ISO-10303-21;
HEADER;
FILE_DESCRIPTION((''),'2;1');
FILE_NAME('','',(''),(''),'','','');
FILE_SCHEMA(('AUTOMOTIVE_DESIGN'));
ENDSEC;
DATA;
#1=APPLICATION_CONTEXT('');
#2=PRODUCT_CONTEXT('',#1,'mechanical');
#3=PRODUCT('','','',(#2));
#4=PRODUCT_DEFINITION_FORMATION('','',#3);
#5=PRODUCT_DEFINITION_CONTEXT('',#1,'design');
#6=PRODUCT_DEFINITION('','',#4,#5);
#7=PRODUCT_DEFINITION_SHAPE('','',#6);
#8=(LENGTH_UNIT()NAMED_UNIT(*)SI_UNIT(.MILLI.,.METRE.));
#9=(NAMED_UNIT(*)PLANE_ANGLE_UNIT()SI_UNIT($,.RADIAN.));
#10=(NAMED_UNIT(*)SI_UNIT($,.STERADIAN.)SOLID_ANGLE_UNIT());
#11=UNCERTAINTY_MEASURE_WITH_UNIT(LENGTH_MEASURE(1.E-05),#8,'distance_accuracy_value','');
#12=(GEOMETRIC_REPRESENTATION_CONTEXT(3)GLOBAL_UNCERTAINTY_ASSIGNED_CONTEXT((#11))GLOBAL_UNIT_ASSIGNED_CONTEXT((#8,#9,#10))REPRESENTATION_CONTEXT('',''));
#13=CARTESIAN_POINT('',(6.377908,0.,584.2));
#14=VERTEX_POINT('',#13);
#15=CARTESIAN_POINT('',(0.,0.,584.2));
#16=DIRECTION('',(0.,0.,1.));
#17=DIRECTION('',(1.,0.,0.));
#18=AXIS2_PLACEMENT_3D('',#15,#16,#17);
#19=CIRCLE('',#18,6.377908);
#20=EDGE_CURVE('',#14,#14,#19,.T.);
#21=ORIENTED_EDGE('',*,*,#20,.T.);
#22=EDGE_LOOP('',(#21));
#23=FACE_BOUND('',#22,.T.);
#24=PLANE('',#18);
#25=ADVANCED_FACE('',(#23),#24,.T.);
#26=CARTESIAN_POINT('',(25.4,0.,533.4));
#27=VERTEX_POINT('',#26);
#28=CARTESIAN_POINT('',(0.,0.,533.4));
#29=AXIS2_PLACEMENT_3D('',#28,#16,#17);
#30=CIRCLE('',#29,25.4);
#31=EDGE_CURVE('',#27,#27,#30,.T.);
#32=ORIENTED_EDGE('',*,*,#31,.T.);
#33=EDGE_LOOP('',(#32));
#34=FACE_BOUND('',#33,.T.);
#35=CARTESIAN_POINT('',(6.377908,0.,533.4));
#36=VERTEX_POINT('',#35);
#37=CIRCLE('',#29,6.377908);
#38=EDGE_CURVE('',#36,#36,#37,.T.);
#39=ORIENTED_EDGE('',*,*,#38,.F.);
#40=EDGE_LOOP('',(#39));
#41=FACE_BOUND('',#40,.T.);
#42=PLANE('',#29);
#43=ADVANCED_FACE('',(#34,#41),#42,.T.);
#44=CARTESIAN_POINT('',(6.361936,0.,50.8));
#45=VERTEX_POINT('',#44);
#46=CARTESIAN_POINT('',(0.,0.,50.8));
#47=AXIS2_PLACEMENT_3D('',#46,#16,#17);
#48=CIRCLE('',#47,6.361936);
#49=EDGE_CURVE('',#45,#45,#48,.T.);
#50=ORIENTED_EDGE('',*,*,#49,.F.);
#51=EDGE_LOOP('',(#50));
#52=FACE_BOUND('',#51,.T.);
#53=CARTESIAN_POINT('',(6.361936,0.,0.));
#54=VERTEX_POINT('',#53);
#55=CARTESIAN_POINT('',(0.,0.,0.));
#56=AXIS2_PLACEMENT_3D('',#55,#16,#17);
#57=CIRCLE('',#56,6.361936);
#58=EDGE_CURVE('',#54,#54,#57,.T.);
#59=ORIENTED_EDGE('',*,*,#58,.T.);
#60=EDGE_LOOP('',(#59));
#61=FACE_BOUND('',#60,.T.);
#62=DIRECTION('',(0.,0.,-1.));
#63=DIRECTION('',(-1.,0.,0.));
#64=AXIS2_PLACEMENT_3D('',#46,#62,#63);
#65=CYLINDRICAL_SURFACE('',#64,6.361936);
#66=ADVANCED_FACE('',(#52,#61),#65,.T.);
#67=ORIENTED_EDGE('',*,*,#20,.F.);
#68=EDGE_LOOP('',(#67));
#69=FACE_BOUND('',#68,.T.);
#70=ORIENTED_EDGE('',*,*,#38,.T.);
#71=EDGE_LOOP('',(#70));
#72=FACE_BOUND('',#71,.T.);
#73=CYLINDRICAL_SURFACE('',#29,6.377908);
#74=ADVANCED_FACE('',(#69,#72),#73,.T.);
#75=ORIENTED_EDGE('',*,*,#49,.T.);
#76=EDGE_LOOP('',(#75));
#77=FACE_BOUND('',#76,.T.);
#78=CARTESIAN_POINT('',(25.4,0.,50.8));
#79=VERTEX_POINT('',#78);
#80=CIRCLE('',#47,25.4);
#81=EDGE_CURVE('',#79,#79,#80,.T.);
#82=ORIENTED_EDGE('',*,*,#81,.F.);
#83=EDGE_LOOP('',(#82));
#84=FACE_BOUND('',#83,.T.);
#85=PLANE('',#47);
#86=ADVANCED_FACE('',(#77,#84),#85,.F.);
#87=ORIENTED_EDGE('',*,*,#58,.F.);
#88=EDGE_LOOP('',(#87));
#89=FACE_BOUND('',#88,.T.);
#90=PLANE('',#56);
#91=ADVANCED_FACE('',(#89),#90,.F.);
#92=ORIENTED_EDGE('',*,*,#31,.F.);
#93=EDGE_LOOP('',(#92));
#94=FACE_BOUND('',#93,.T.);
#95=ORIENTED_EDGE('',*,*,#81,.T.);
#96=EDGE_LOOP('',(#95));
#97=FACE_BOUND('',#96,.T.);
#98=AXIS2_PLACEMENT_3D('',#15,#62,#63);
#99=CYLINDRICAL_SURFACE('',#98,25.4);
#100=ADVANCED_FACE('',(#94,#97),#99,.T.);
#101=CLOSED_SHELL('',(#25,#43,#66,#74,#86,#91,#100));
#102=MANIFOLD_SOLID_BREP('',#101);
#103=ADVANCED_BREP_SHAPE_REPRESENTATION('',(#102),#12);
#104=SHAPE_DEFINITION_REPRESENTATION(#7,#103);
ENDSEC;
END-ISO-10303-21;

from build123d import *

# Parameters (mm, degrees)
SKETCH1_R           = 25.4
BOSS_EXTRUDE1_DEPTH = 584.2
SKETCH2_OUTSIDE_W   = 170.52
SKETCH2_OUTSIDE_H   = 170.52
SKETCH2_OUTSIDE_R   = 6.361935525
CUT_EXTRUDE1_DEPTH  = 50.8
SKETCH5_OUTSIDE_W   = 170.52
SKETCH5_OUTSIDE_H   = 170.52
SKETCH5_OUTSIDE_R   = 6.377907631
CUT_EXTRUDE4_DEPTH  = 50.8


with BuildPart() as part:
    # Sketch1 → Boss-Extrude1 (new body)
    with BuildSketch(Plane.XY):
        Circle(SKETCH1_R)
    extrude(amount=BOSS_EXTRUDE1_DEPTH)

    # Sketch2 outside → Cut-Extrude1 (cut)
    with BuildSketch(Plane.XY):
        Rectangle(SKETCH2_OUTSIDE_W, SKETCH2_OUTSIDE_H)
        Circle(SKETCH2_OUTSIDE_R, mode=Mode.SUBTRACT)
    extrude(amount=CUT_EXTRUDE1_DEPTH, mode=Mode.SUBTRACT)

    # Sketch5 outside → Cut-Extrude4 (cut)
    with BuildSketch(Plane.XY.offset(584.2)):
        Rectangle(SKETCH5_OUTSIDE_W, SKETCH5_OUTSIDE_H)
        Circle(SKETCH5_OUTSIDE_R, mode=Mode.SUBTRACT)
    extrude(amount=-CUT_EXTRUDE4_DEPTH, mode=Mode.SUBTRACT)


solid = part.part
